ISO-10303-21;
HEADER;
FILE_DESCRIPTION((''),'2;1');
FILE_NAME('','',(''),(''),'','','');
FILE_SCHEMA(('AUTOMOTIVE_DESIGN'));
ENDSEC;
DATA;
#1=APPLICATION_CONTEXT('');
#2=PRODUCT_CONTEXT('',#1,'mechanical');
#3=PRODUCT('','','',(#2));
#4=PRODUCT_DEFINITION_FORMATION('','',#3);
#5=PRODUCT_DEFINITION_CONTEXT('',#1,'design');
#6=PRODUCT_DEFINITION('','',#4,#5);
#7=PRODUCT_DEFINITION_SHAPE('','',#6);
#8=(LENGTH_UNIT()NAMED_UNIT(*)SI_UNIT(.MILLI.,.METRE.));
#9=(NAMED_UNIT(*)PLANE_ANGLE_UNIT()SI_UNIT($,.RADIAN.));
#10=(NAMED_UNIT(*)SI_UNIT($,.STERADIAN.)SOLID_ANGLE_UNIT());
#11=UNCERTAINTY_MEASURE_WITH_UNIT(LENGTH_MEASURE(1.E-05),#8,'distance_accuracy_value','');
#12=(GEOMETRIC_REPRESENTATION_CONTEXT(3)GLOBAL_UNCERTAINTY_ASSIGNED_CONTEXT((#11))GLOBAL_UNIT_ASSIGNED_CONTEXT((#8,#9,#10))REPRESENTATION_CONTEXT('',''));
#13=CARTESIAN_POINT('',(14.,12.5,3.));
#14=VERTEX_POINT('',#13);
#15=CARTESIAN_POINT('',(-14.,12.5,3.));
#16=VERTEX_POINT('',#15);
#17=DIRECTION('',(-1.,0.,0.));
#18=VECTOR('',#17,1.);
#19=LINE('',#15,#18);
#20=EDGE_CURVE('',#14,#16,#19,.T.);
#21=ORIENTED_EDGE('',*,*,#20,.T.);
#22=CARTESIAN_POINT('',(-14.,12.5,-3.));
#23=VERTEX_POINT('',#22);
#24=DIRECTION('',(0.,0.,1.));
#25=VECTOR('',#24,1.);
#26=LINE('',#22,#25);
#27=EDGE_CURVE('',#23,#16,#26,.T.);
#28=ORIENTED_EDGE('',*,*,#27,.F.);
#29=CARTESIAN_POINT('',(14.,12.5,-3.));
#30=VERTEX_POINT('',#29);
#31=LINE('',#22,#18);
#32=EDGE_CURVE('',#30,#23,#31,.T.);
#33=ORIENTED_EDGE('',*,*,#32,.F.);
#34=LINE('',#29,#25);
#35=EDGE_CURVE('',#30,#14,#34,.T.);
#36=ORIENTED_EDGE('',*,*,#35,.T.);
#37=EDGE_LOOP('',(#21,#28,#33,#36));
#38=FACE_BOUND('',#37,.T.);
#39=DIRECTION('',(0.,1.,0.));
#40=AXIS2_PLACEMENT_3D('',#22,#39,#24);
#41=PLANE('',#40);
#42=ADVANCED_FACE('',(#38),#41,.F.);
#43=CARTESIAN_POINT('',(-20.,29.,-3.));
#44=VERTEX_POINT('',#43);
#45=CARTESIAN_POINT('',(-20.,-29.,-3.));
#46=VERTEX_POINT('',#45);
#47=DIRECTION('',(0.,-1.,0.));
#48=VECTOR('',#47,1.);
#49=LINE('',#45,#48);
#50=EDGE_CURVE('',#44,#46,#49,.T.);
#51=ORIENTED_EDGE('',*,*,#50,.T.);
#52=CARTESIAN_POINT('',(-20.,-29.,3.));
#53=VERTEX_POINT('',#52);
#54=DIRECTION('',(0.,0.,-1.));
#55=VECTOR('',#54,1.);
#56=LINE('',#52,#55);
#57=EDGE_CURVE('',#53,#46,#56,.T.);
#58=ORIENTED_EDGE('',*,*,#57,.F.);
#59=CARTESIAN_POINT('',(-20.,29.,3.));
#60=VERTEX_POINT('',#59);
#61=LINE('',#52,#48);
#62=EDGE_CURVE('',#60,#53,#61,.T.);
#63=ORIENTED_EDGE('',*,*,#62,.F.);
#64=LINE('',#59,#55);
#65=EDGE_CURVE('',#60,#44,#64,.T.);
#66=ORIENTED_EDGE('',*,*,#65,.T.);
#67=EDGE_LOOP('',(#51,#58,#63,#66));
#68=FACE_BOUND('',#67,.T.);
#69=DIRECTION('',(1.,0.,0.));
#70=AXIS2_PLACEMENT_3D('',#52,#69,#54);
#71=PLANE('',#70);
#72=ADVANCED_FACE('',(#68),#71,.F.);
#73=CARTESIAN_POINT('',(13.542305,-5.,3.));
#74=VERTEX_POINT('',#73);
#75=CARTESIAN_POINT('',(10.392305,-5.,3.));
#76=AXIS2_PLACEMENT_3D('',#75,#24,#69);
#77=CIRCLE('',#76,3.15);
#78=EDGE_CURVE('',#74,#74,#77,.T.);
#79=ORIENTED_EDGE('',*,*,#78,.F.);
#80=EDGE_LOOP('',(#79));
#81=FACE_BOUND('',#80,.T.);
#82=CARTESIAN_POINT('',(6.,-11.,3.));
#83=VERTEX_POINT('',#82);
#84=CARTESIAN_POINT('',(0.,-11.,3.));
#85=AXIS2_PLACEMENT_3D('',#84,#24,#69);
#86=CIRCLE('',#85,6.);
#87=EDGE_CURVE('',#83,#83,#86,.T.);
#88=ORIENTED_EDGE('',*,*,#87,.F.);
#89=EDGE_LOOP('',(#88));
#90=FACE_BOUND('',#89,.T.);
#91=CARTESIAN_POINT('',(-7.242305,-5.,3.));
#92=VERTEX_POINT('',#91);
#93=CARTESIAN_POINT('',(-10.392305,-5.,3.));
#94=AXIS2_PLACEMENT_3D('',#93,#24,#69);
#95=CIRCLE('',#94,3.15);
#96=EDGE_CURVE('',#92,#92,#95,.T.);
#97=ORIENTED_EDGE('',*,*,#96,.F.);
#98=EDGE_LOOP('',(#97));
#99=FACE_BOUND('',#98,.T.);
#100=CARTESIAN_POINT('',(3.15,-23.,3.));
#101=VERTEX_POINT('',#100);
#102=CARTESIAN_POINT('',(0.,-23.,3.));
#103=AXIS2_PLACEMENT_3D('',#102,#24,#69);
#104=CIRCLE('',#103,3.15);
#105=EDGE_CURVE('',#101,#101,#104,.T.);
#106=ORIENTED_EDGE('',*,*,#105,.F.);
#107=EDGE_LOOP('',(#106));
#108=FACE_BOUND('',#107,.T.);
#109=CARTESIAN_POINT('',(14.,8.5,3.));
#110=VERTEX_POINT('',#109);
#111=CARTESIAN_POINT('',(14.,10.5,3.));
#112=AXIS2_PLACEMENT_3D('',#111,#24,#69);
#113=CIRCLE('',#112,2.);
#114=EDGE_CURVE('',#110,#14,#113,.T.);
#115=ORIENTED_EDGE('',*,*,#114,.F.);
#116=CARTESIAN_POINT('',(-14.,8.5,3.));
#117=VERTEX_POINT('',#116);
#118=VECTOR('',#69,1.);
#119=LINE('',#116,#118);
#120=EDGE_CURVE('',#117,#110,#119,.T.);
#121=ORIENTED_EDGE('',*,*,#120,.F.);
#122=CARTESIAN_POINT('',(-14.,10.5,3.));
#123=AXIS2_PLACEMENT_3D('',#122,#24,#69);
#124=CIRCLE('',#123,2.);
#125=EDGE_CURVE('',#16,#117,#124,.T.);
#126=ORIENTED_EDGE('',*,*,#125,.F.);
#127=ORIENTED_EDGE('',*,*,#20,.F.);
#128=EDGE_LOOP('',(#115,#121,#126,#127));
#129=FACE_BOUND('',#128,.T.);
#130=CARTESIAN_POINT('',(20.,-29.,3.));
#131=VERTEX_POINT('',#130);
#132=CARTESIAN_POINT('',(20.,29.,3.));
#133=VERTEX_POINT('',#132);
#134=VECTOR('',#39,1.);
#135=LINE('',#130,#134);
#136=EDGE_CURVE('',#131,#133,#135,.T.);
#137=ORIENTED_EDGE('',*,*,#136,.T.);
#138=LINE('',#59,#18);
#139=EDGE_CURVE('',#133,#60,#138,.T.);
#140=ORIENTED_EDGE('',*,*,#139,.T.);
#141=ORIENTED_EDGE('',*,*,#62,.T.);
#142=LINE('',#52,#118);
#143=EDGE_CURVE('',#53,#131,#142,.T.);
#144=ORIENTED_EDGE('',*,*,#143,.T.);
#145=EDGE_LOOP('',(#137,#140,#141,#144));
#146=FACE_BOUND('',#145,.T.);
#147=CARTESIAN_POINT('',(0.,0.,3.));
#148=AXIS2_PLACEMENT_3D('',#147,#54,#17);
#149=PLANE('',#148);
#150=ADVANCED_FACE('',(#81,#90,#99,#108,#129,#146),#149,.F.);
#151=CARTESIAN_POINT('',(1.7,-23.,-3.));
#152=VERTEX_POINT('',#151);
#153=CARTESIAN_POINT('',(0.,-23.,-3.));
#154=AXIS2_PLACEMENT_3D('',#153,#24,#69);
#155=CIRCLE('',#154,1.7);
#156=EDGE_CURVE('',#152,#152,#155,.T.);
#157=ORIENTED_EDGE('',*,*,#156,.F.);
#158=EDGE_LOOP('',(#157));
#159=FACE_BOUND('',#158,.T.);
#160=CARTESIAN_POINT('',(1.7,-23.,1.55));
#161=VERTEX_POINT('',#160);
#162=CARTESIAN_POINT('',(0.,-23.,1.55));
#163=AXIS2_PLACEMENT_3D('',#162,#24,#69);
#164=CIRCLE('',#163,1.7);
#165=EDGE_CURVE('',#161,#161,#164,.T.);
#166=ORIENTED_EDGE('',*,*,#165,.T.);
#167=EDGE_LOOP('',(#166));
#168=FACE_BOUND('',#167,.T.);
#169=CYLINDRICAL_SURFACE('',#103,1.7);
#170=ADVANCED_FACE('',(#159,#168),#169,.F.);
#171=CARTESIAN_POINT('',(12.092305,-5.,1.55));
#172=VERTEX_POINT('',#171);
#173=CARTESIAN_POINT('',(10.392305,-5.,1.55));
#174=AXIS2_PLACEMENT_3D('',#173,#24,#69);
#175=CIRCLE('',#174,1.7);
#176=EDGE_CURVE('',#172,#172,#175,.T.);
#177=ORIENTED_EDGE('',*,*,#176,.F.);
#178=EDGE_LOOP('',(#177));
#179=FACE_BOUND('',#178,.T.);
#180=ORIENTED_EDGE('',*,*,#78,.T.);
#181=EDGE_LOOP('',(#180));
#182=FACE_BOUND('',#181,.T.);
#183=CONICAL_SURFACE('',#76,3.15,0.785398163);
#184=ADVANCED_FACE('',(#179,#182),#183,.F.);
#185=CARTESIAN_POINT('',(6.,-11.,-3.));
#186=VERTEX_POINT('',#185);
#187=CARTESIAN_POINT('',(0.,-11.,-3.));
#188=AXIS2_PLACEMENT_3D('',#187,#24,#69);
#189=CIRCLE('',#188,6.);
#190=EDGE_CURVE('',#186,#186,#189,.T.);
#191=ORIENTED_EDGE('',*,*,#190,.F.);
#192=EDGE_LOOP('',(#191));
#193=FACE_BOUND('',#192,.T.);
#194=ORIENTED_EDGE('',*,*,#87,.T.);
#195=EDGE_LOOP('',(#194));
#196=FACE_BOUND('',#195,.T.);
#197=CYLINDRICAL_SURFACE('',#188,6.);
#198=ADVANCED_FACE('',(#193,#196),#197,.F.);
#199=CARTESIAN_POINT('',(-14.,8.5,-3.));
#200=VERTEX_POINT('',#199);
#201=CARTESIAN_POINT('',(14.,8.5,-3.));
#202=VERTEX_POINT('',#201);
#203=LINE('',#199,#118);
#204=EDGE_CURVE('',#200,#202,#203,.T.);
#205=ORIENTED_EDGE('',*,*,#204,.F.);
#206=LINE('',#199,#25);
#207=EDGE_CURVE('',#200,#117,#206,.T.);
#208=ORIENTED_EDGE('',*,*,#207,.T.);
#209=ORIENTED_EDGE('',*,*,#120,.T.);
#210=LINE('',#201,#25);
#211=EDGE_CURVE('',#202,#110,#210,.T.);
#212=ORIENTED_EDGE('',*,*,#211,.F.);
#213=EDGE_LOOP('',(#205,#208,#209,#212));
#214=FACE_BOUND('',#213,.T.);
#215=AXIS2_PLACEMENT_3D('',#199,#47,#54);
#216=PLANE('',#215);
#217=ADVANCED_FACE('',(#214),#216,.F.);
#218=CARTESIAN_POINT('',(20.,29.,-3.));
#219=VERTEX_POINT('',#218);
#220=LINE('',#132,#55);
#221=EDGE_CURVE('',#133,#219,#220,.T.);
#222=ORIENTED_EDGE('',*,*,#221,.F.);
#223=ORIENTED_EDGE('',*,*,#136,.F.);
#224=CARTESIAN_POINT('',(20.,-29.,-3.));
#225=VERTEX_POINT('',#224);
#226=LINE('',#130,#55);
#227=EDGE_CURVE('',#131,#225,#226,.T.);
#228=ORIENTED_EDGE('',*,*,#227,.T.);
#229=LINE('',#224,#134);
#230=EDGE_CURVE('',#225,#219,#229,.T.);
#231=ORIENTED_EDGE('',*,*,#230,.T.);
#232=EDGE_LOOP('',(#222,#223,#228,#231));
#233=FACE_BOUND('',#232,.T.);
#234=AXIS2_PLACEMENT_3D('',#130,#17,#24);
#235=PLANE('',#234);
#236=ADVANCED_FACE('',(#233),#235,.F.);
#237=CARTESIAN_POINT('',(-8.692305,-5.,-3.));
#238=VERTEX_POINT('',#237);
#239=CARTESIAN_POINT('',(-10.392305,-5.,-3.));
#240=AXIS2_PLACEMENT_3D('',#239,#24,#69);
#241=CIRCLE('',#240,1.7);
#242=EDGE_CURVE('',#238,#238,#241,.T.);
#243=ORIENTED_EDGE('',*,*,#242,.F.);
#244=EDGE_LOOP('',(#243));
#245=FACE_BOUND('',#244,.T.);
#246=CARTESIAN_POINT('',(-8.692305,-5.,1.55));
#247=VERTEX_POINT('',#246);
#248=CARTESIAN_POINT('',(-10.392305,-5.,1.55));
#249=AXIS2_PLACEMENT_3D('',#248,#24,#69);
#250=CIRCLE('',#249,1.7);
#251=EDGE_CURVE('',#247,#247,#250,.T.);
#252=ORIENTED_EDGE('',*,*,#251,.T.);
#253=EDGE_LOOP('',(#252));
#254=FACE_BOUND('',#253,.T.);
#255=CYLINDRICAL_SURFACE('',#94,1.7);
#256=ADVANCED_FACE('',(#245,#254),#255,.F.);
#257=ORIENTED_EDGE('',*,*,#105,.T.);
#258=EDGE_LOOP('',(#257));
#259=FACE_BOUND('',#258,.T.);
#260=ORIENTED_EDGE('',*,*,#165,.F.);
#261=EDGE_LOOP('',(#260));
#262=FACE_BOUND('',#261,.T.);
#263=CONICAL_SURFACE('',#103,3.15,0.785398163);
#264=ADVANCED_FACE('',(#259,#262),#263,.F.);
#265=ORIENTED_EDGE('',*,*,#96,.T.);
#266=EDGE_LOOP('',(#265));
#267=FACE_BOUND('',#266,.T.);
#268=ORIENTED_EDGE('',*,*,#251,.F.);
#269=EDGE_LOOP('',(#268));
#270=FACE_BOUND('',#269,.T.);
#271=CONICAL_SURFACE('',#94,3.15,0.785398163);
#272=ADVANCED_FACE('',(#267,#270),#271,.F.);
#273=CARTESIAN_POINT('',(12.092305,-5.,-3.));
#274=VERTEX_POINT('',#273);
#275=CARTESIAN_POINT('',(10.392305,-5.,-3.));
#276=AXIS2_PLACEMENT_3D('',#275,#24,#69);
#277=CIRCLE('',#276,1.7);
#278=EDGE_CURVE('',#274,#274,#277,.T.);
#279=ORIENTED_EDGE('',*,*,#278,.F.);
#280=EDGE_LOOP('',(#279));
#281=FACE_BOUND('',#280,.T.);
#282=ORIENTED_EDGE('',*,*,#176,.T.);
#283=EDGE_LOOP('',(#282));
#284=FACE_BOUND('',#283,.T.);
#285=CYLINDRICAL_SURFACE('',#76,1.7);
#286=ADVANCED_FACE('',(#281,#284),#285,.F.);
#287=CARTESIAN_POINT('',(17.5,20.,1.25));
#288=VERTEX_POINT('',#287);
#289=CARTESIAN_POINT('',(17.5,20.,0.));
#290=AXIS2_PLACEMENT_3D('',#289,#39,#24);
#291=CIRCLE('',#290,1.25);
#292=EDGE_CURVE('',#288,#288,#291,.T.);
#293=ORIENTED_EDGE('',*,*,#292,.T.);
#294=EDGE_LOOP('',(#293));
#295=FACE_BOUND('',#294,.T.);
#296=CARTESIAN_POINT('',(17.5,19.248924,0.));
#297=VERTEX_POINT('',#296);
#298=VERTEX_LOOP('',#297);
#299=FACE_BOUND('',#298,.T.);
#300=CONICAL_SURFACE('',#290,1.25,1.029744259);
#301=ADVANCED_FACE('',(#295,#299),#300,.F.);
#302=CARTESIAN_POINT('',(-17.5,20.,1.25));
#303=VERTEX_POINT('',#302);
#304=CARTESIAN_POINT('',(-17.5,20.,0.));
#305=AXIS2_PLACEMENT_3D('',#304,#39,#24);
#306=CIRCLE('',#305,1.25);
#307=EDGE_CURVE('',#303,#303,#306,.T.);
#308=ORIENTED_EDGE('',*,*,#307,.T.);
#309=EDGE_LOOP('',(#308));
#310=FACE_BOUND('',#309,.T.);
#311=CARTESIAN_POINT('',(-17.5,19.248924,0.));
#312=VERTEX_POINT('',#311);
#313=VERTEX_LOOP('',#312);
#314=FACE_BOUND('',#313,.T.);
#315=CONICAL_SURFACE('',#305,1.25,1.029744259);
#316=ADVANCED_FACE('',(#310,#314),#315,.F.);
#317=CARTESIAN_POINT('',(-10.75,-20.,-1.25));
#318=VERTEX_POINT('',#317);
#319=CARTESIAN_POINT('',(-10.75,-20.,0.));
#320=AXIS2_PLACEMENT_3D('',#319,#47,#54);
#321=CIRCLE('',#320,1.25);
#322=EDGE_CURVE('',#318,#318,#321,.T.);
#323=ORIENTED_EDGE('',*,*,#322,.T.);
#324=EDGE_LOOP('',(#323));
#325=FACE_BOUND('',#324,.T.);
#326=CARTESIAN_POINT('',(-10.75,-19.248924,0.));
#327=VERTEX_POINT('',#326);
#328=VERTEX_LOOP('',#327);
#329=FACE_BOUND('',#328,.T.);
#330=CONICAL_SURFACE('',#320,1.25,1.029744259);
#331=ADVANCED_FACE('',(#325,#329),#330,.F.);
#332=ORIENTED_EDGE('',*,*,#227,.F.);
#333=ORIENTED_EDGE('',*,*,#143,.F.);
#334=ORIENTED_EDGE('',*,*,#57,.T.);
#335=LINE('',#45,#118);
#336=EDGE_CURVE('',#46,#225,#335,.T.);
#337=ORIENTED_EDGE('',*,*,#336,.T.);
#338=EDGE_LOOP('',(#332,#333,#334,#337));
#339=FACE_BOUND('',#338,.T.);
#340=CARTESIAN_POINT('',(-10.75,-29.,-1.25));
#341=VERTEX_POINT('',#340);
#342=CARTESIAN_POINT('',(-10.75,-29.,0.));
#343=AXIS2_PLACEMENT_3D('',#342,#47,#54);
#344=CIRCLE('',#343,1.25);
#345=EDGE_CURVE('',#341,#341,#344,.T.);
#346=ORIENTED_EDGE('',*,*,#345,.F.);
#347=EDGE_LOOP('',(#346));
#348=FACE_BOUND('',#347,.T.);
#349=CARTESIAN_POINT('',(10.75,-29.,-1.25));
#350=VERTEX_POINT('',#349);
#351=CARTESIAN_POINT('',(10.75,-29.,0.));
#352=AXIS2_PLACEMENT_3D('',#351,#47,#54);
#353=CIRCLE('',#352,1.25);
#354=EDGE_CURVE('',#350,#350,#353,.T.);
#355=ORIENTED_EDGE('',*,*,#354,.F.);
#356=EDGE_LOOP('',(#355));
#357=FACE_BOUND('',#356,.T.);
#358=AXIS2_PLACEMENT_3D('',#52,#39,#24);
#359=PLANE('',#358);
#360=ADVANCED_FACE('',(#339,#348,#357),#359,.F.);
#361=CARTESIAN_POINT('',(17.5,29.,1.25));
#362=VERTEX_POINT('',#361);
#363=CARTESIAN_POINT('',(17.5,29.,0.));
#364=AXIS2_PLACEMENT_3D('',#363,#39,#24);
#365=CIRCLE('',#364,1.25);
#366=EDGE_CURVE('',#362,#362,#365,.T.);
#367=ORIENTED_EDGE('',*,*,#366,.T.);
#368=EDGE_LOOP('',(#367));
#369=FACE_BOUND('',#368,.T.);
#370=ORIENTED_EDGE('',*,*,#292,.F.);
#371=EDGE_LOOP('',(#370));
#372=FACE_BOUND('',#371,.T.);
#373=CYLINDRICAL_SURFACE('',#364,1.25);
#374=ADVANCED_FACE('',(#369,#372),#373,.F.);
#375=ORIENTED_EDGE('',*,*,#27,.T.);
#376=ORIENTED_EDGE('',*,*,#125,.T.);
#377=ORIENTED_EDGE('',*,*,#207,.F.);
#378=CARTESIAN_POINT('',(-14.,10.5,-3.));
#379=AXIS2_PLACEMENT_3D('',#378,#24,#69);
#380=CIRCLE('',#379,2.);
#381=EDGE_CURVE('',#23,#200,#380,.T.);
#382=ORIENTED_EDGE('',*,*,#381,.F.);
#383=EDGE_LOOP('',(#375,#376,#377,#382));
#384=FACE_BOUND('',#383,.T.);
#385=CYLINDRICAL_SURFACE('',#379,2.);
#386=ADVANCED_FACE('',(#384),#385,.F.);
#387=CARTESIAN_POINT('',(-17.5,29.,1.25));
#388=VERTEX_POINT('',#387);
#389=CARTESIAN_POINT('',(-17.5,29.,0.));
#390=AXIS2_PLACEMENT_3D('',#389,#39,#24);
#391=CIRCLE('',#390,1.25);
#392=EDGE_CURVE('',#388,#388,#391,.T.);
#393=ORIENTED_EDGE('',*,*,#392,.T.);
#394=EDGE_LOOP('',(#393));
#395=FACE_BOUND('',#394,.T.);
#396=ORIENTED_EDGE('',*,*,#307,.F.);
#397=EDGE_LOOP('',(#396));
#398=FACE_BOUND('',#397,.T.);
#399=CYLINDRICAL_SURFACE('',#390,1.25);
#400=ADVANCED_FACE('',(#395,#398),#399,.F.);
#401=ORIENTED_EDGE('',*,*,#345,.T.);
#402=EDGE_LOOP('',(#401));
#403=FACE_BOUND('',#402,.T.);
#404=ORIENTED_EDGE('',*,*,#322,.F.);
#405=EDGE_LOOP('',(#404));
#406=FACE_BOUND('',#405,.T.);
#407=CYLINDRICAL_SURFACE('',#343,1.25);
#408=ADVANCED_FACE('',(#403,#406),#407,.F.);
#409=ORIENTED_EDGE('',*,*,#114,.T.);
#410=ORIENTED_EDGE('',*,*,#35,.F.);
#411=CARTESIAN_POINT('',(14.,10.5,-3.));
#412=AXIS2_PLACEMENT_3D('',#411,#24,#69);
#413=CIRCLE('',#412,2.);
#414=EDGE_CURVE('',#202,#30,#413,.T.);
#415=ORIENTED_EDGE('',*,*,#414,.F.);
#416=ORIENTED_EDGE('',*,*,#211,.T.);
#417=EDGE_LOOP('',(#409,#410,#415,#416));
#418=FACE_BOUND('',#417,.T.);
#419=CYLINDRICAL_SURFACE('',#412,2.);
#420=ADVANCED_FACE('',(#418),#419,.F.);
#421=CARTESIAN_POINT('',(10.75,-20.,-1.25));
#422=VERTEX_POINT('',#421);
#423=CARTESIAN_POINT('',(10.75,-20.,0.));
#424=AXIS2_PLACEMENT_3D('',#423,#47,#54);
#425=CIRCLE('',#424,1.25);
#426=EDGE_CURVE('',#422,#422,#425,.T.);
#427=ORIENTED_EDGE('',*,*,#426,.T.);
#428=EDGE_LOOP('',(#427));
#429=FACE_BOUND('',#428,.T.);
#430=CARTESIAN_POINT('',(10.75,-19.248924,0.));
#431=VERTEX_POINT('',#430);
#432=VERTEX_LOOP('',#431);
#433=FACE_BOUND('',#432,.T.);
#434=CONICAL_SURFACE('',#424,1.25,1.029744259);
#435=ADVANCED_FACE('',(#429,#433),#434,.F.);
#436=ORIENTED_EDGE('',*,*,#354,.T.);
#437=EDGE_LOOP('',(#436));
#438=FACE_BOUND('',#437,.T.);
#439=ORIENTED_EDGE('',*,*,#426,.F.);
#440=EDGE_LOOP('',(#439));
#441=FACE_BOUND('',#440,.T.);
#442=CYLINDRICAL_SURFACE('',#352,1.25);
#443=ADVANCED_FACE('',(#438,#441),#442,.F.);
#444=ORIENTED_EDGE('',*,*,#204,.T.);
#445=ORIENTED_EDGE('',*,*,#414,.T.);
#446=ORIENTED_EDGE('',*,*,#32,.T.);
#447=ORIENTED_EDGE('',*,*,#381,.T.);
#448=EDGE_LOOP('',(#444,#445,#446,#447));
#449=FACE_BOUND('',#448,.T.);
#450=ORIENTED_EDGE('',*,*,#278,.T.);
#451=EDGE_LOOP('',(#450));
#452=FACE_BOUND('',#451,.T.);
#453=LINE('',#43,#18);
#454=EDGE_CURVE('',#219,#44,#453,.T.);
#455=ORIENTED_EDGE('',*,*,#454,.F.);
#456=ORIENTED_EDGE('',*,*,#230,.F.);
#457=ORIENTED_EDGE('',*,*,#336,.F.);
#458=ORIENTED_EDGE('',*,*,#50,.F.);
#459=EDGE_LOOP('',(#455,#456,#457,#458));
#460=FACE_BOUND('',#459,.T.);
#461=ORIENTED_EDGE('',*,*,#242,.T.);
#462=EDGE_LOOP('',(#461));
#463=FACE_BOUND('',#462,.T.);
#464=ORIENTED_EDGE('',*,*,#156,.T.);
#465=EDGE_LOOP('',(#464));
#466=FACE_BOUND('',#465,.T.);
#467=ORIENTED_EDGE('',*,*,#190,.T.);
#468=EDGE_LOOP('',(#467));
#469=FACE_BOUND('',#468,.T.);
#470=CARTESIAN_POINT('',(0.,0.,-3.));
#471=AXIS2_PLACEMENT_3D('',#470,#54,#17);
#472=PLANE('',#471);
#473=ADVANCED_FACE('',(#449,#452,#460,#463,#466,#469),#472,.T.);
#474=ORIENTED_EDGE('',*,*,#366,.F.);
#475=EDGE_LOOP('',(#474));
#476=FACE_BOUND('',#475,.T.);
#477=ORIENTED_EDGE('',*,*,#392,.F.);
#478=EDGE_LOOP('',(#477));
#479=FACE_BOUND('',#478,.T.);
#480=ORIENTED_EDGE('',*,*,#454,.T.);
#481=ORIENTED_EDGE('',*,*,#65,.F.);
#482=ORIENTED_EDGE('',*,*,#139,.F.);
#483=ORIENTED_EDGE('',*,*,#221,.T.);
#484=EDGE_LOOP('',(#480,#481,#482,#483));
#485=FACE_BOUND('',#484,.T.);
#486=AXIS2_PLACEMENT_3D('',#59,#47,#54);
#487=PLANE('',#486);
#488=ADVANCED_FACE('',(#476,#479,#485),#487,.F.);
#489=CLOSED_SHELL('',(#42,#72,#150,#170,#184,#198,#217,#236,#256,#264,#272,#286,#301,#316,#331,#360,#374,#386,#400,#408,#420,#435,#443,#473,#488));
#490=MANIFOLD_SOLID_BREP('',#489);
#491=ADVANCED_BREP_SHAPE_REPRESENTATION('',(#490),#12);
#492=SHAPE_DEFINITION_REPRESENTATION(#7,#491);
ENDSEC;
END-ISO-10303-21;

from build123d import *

# Parameters (mm, degrees)
SKETCH1_W                                           = 40
SKETCH1_H                                           = 58
BOSS_EXTRUDE1_DEPTH                                 = 3
SKETCH2_R                                           = 6
CUT_EXTRUDE1_DEPTH                                  = 36.73513677
CSK_FOR_M3_COUNTERSUNK_FLAT_HEAD_SCREW1_D           = 3.4
CSK_FOR_M3_COUNTERSUNK_FLAT_HEAD_SCREW1_CSINK_D     = 6.3
CSK_FOR_M3_COUNTERSUNK_FLAT_HEAD_SCREW1_CSINK_ANGLE = 90
TAP_DRILL_FOR_M3_TAP1_D                             = 2.5
TAP_DRILL_FOR_M3_TAP1_DEPTH                         = 9
TAP_DRILL_FOR_M3_TAP1_TIP                           = 0.751075774
TAP_DRILL_FOR_M3_TAP2_D                             = 2.5
TAP_DRILL_FOR_M3_TAP2_DEPTH                         = 9
TAP_DRILL_FOR_M3_TAP2_TIP                           = 0.751075774
CUT_EXTRUDE3_DEPTH                                  = 36.73513677


with BuildPart() as part:
    # Sketch1 → Boss-Extrude1 (new, symmetric)
    with BuildSketch(Plane.XY):
        Rectangle(SKETCH1_W, SKETCH1_H)
    extrude(amount=BOSS_EXTRUDE1_DEPTH, both=True)

    # Sketch2 → Cut-Extrude1 (cut, through all)
    with BuildSketch(Plane.XY.offset(3)):
        with Locations((0, -11)):
            Circle(SKETCH2_R)
    extrude(amount=-CUT_EXTRUDE1_DEPTH, mode=Mode.SUBTRACT)

    # CSK for M3 Countersunk Flat Head Screw1 (through all)
    with Locations(Plane.XY.offset(3)):
        with Locations((0, -23), (-10.392304845, -5), (10.392304845, -5)):
            CounterSinkHole(CSK_FOR_M3_COUNTERSUNK_FLAT_HEAD_SCREW1_D / 2, CSK_FOR_M3_COUNTERSUNK_FLAT_HEAD_SCREW1_CSINK_D / 2, counter_sink_angle=CSK_FOR_M3_COUNTERSUNK_FLAT_HEAD_SCREW1_CSINK_ANGLE)

    # Tap Drill for M3 Tap1
    with Locations(Plane(origin=(0, -29, 0), x_dir=(-1, 0, 0), z_dir=(0, -1, 0))):
        with Locations((10.75, 0), (-10.75, 0)):
            Hole(TAP_DRILL_FOR_M3_TAP1_D / 2, depth=TAP_DRILL_FOR_M3_TAP1_DEPTH)
            with Locations((0, 0, -(TAP_DRILL_FOR_M3_TAP1_DEPTH + TAP_DRILL_FOR_M3_TAP1_TIP / 2))):  # 118° drill point
                Cone(0, TAP_DRILL_FOR_M3_TAP1_D / 2, TAP_DRILL_FOR_M3_TAP1_TIP, mode=Mode.SUBTRACT)

    # Tap Drill for M3 Tap2
    with Locations(Plane(origin=(0, 29, 0), x_dir=(1, 0, 0), z_dir=(0, 1, 0))):
        with Locations((17.5, 0), (-17.5, 0)):
            Hole(TAP_DRILL_FOR_M3_TAP2_D / 2, depth=TAP_DRILL_FOR_M3_TAP2_DEPTH)
            with Locations((0, 0, -(TAP_DRILL_FOR_M3_TAP2_DEPTH + TAP_DRILL_FOR_M3_TAP2_TIP / 2))):  # 118° drill point
                Cone(0, TAP_DRILL_FOR_M3_TAP2_D / 2, TAP_DRILL_FOR_M3_TAP2_TIP, mode=Mode.SUBTRACT)

    # Sketch10 → Cut-Extrude3 (cut, through all)
    with BuildSketch(Plane.XY.offset(3)):
        with BuildLine():
            Line((-14, 12.5), (14, 12.5))
            ThreePointArc((14, 12.5), (16, 10.5), (14, 8.5))
            Line((14, 8.5), (-14, 8.5))
            ThreePointArc((-14, 8.5), (-16, 10.5), (-14, 12.5))
        make_face()
    extrude(amount=-CUT_EXTRUDE3_DEPTH, mode=Mode.SUBTRACT)


solid = part.part
